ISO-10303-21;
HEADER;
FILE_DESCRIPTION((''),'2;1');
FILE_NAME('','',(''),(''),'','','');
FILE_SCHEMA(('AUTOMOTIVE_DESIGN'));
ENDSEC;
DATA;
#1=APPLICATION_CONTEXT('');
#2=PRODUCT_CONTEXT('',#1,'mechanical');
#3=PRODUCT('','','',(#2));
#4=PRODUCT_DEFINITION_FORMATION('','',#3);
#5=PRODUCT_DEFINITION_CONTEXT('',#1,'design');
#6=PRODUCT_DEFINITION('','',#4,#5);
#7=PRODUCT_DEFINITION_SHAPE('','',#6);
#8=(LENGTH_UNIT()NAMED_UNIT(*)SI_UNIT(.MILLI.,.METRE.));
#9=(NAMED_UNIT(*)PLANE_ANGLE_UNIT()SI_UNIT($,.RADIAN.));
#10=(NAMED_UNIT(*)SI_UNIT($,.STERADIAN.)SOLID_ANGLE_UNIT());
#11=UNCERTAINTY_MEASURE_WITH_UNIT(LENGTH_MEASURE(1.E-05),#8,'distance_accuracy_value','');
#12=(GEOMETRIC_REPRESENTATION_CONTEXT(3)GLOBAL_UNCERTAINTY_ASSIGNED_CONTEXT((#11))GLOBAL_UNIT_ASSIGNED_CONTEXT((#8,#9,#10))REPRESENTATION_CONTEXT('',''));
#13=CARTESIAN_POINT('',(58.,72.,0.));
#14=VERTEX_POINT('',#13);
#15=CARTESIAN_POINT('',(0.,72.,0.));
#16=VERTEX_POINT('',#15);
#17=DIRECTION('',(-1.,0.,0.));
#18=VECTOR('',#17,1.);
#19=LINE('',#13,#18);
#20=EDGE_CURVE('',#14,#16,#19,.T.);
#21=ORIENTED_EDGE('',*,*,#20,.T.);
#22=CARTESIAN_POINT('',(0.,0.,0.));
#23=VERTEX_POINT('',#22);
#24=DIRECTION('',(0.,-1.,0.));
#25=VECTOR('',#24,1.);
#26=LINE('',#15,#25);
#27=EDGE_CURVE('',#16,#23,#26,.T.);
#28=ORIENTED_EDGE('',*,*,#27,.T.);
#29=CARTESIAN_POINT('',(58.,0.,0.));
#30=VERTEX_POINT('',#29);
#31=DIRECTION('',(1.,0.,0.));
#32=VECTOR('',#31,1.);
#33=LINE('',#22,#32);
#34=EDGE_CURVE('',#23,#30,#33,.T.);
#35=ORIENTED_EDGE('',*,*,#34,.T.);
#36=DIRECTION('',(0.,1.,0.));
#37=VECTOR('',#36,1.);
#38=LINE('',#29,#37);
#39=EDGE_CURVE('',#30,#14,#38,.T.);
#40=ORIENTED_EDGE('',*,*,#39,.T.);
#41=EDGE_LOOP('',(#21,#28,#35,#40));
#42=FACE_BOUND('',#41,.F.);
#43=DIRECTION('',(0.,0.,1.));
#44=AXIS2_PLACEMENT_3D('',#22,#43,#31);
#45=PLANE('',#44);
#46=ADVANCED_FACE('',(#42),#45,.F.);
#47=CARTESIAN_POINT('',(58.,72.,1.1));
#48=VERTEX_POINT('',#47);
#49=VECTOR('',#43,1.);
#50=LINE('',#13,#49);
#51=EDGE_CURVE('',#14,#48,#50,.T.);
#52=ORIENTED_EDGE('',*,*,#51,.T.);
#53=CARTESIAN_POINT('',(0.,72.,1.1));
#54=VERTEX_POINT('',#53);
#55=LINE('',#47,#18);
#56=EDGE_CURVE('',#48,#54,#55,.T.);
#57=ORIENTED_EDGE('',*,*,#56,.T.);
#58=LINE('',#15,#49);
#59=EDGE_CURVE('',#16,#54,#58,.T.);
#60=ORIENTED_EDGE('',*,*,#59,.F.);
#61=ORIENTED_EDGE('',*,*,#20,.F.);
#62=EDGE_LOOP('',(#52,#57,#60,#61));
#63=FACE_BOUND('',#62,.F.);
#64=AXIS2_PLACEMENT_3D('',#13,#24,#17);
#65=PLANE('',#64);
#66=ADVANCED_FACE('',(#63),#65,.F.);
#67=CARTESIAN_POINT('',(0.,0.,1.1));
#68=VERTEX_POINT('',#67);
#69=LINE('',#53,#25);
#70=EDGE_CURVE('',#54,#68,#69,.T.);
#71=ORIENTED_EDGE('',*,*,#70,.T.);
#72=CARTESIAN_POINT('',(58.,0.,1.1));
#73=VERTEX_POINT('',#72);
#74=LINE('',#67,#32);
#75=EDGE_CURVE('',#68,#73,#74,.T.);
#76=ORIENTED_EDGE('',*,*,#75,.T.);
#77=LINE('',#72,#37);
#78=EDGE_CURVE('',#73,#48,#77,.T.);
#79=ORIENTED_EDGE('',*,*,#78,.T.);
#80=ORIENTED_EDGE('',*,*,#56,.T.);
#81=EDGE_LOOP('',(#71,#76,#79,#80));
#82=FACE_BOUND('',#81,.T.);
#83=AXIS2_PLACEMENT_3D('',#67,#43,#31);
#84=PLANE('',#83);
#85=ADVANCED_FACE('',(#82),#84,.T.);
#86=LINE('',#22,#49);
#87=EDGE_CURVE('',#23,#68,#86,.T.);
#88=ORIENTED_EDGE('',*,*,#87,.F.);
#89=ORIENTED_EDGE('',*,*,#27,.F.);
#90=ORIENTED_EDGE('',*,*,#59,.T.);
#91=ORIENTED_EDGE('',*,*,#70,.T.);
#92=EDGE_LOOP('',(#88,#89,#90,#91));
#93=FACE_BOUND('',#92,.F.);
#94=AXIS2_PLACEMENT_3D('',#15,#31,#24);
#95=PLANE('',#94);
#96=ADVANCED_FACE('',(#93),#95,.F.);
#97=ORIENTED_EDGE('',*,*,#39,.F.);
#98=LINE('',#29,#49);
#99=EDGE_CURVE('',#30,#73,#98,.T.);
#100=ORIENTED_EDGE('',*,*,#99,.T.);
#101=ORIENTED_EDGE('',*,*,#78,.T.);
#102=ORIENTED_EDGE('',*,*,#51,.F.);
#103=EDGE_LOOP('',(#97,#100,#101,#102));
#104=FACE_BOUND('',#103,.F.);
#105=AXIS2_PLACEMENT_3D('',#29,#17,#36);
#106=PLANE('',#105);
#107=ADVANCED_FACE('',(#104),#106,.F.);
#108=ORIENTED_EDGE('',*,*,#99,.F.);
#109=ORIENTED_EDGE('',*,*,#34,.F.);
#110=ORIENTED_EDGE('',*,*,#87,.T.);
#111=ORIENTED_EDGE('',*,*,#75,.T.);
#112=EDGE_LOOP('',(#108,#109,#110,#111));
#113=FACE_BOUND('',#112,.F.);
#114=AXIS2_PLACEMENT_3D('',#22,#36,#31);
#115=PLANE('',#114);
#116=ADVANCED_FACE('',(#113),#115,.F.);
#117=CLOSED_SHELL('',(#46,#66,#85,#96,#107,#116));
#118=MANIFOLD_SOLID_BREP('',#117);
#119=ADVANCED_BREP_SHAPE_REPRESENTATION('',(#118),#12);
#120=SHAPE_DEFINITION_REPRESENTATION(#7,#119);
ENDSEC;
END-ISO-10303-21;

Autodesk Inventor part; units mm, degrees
ref_plane "YZ Plane" through (0, 0, 0) normal (1, 0, 0) x (0, 1, 0)
ref_plane "XZ Plane" through (0, 0, 0) normal (0, 1, 0) x (-1, 0, 0)
ref_plane "XY Plane" through (0, 0, 0) normal (0, 0, 1) x (1, 0, 0)
sketch "Szkic1" plane through (0, 0, 0) normal (0, 0, 1) x (1, 0, 0)
  line L0 (0, 0) -> (58, 0)
  line L1 (58, 0) -> (58, 72)
  line L2 (58, 72) -> (0, 72)
  line L3 (0, 72) -> (0, 0)
  dimension "d0" = 58
  dimension "d1" = 72
extrude "Wyciągnięcie proste1" add sketch "Szkic1" along normal blind 1.1
properties part number "beamsplitter_mirror"
